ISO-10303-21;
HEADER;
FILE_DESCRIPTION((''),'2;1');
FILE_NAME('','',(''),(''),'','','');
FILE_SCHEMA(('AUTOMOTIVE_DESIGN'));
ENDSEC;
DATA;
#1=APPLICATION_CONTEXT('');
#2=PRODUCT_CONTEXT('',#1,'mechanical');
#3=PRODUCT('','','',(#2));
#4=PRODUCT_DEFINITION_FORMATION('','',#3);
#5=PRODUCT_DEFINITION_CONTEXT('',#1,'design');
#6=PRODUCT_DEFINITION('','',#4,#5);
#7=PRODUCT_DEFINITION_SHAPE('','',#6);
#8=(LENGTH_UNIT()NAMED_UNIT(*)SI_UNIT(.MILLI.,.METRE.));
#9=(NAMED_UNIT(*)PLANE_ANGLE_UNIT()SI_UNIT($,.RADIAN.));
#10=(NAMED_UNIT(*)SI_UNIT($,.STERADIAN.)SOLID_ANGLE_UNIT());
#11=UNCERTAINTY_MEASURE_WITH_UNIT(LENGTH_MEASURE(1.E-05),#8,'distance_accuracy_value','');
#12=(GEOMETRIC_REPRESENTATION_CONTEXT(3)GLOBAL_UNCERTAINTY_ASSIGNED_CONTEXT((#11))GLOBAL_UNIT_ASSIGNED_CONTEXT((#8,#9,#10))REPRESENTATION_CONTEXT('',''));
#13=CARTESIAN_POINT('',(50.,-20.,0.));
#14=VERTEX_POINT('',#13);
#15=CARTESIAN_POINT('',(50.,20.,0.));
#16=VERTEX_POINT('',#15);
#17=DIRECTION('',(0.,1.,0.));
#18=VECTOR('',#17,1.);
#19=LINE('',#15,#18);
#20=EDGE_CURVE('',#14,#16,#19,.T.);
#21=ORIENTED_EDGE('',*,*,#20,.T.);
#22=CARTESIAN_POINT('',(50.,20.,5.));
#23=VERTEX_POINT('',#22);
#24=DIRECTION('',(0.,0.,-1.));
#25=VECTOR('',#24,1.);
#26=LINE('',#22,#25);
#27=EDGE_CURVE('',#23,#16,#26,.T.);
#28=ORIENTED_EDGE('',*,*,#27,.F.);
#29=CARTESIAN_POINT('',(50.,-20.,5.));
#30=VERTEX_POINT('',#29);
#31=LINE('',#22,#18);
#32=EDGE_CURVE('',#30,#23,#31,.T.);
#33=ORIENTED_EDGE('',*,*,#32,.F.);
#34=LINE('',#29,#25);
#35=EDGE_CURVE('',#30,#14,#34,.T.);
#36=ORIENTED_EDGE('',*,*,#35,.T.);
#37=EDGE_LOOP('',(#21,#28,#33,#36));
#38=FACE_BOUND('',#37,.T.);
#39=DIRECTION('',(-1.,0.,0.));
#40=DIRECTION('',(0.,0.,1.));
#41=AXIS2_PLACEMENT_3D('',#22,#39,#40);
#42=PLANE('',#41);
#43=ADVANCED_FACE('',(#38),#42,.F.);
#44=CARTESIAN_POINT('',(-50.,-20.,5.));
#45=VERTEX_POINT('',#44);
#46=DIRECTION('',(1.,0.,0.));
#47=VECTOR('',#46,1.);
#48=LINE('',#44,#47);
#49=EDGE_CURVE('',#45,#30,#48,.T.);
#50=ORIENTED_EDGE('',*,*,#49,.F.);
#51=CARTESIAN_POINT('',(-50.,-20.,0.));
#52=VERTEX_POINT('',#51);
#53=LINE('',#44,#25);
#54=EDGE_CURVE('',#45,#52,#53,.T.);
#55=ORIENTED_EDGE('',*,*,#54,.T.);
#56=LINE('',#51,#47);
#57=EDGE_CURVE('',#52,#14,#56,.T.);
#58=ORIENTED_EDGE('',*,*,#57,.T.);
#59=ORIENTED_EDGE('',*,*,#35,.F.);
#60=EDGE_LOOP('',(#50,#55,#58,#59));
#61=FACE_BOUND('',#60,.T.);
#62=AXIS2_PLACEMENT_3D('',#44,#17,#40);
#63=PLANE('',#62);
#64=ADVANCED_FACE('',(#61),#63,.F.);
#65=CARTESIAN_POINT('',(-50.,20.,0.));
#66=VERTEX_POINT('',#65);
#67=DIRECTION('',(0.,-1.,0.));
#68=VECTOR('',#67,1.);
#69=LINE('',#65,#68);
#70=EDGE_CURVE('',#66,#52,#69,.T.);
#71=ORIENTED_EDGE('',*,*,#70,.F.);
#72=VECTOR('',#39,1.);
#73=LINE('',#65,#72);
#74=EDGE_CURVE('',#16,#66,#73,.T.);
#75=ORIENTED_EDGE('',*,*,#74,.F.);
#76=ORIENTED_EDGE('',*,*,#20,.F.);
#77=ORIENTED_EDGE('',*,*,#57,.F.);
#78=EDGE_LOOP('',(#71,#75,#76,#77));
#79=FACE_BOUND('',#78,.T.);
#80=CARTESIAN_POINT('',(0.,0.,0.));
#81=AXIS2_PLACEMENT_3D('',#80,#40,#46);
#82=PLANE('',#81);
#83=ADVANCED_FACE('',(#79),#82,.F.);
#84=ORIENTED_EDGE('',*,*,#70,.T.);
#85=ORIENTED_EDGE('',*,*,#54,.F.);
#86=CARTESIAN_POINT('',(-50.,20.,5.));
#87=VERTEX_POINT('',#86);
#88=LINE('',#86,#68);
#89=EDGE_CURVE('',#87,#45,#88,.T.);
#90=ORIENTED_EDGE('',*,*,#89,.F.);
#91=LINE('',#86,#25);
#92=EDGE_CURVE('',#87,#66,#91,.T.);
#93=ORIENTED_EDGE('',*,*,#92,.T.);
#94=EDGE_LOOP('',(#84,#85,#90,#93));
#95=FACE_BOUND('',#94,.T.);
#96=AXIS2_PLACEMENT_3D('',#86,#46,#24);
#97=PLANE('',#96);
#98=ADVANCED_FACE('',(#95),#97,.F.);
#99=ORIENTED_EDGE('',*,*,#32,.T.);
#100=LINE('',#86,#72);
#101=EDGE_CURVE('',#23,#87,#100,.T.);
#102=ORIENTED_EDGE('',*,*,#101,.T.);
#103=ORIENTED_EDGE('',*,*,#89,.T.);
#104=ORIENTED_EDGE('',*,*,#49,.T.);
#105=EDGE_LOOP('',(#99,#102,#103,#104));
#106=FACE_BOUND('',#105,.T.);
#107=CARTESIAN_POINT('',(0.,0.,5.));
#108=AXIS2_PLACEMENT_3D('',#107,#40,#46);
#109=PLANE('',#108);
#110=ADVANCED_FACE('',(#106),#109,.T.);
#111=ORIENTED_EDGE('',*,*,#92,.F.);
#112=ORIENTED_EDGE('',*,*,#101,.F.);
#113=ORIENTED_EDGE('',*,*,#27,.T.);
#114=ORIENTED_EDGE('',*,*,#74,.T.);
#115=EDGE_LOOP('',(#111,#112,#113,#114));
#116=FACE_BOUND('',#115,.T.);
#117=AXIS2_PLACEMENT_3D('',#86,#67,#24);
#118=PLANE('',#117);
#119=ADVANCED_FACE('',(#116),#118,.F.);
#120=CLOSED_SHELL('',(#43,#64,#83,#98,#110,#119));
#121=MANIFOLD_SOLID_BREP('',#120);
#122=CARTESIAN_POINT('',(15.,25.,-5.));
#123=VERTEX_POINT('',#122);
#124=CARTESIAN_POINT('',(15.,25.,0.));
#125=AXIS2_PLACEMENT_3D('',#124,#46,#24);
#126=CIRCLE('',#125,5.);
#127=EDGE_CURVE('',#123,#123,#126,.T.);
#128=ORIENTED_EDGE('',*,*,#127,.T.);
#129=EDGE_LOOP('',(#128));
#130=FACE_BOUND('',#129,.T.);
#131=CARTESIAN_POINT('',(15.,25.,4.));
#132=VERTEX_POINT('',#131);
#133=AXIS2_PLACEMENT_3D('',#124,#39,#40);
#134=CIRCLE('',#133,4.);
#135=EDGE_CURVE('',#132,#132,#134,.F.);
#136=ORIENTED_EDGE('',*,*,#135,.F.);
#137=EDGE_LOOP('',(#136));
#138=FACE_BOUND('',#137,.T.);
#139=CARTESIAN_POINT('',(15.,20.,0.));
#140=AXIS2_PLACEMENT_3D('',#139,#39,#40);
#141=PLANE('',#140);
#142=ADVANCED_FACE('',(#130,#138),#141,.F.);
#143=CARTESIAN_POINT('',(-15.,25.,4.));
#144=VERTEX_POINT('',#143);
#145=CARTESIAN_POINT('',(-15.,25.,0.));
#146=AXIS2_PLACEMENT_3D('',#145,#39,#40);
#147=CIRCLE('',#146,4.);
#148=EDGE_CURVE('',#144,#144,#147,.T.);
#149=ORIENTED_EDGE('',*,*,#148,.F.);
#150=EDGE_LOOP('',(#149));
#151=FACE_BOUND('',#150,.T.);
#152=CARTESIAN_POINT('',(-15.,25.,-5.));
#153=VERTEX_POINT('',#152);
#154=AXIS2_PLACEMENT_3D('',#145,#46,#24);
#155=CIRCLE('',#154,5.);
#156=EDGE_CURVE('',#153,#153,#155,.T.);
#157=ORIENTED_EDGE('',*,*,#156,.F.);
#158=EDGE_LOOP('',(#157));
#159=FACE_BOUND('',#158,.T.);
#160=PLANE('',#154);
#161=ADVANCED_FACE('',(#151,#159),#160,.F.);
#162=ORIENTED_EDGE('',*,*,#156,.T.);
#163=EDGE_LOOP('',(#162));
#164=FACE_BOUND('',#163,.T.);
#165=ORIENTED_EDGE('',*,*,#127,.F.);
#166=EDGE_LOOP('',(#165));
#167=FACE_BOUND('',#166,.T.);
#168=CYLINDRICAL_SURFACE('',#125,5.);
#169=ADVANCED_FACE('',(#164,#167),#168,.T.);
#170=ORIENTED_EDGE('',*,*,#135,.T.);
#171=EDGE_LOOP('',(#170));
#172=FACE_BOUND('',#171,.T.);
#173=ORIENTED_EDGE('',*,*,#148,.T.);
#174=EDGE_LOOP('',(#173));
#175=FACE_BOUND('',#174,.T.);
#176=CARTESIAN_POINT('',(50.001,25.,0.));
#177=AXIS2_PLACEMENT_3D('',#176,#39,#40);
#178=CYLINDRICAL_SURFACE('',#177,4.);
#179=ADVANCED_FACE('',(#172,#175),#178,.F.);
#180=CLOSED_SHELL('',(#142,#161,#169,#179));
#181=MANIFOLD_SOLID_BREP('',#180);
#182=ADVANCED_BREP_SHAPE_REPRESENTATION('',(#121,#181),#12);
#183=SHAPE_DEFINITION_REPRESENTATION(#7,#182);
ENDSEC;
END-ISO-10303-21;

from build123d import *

# Parameters (mm, degrees)
SKETCH1_W           = 100
SKETCH1_H           = 40
BOSS_EXTRUDE1_DEPTH = 5
SKETCH2_W           = 30
SKETCH2_H           = 5
SKETCH3_R           = 4
CUT_EXTRUDE1_DEPTH  = 30


with BuildPart() as part:
    # Sketch1 → Boss-Extrude1 (new body)
    with BuildSketch(Plane.XY):
        Rectangle(SKETCH1_W, SKETCH1_H)
    extrude(amount=BOSS_EXTRUDE1_DEPTH)


with BuildPart() as body_2:
    # Sketch2 → Revolve-Thin1 (revolve)
    with BuildSketch(Plane(origin=(0, 0, 0), x_dir=(-1, 0, 0), z_dir=(0, 0, -1)), mode=Mode.PRIVATE) as revolve_thin1_sk:
        with Locations((0, 27.5)):
            Rectangle(SKETCH2_W, SKETCH2_H)
    revolve(revolve_thin1_sk.sketch.rotate(Axis((15, 25, 0), (-1, 0, 0)), 90), axis=Axis((15, 25, 0), (-1, 0, 0)))

    # Sketch3 → Cut-Extrude1 (cut)
    with BuildSketch(Plane.ZY.offset(15)):
        with Locations((0, 25)):
            Circle(SKETCH3_R)
    extrude(amount=-CUT_EXTRUDE1_DEPTH, mode=Mode.SUBTRACT)


solid = Compound([part.part, body_2.part])
